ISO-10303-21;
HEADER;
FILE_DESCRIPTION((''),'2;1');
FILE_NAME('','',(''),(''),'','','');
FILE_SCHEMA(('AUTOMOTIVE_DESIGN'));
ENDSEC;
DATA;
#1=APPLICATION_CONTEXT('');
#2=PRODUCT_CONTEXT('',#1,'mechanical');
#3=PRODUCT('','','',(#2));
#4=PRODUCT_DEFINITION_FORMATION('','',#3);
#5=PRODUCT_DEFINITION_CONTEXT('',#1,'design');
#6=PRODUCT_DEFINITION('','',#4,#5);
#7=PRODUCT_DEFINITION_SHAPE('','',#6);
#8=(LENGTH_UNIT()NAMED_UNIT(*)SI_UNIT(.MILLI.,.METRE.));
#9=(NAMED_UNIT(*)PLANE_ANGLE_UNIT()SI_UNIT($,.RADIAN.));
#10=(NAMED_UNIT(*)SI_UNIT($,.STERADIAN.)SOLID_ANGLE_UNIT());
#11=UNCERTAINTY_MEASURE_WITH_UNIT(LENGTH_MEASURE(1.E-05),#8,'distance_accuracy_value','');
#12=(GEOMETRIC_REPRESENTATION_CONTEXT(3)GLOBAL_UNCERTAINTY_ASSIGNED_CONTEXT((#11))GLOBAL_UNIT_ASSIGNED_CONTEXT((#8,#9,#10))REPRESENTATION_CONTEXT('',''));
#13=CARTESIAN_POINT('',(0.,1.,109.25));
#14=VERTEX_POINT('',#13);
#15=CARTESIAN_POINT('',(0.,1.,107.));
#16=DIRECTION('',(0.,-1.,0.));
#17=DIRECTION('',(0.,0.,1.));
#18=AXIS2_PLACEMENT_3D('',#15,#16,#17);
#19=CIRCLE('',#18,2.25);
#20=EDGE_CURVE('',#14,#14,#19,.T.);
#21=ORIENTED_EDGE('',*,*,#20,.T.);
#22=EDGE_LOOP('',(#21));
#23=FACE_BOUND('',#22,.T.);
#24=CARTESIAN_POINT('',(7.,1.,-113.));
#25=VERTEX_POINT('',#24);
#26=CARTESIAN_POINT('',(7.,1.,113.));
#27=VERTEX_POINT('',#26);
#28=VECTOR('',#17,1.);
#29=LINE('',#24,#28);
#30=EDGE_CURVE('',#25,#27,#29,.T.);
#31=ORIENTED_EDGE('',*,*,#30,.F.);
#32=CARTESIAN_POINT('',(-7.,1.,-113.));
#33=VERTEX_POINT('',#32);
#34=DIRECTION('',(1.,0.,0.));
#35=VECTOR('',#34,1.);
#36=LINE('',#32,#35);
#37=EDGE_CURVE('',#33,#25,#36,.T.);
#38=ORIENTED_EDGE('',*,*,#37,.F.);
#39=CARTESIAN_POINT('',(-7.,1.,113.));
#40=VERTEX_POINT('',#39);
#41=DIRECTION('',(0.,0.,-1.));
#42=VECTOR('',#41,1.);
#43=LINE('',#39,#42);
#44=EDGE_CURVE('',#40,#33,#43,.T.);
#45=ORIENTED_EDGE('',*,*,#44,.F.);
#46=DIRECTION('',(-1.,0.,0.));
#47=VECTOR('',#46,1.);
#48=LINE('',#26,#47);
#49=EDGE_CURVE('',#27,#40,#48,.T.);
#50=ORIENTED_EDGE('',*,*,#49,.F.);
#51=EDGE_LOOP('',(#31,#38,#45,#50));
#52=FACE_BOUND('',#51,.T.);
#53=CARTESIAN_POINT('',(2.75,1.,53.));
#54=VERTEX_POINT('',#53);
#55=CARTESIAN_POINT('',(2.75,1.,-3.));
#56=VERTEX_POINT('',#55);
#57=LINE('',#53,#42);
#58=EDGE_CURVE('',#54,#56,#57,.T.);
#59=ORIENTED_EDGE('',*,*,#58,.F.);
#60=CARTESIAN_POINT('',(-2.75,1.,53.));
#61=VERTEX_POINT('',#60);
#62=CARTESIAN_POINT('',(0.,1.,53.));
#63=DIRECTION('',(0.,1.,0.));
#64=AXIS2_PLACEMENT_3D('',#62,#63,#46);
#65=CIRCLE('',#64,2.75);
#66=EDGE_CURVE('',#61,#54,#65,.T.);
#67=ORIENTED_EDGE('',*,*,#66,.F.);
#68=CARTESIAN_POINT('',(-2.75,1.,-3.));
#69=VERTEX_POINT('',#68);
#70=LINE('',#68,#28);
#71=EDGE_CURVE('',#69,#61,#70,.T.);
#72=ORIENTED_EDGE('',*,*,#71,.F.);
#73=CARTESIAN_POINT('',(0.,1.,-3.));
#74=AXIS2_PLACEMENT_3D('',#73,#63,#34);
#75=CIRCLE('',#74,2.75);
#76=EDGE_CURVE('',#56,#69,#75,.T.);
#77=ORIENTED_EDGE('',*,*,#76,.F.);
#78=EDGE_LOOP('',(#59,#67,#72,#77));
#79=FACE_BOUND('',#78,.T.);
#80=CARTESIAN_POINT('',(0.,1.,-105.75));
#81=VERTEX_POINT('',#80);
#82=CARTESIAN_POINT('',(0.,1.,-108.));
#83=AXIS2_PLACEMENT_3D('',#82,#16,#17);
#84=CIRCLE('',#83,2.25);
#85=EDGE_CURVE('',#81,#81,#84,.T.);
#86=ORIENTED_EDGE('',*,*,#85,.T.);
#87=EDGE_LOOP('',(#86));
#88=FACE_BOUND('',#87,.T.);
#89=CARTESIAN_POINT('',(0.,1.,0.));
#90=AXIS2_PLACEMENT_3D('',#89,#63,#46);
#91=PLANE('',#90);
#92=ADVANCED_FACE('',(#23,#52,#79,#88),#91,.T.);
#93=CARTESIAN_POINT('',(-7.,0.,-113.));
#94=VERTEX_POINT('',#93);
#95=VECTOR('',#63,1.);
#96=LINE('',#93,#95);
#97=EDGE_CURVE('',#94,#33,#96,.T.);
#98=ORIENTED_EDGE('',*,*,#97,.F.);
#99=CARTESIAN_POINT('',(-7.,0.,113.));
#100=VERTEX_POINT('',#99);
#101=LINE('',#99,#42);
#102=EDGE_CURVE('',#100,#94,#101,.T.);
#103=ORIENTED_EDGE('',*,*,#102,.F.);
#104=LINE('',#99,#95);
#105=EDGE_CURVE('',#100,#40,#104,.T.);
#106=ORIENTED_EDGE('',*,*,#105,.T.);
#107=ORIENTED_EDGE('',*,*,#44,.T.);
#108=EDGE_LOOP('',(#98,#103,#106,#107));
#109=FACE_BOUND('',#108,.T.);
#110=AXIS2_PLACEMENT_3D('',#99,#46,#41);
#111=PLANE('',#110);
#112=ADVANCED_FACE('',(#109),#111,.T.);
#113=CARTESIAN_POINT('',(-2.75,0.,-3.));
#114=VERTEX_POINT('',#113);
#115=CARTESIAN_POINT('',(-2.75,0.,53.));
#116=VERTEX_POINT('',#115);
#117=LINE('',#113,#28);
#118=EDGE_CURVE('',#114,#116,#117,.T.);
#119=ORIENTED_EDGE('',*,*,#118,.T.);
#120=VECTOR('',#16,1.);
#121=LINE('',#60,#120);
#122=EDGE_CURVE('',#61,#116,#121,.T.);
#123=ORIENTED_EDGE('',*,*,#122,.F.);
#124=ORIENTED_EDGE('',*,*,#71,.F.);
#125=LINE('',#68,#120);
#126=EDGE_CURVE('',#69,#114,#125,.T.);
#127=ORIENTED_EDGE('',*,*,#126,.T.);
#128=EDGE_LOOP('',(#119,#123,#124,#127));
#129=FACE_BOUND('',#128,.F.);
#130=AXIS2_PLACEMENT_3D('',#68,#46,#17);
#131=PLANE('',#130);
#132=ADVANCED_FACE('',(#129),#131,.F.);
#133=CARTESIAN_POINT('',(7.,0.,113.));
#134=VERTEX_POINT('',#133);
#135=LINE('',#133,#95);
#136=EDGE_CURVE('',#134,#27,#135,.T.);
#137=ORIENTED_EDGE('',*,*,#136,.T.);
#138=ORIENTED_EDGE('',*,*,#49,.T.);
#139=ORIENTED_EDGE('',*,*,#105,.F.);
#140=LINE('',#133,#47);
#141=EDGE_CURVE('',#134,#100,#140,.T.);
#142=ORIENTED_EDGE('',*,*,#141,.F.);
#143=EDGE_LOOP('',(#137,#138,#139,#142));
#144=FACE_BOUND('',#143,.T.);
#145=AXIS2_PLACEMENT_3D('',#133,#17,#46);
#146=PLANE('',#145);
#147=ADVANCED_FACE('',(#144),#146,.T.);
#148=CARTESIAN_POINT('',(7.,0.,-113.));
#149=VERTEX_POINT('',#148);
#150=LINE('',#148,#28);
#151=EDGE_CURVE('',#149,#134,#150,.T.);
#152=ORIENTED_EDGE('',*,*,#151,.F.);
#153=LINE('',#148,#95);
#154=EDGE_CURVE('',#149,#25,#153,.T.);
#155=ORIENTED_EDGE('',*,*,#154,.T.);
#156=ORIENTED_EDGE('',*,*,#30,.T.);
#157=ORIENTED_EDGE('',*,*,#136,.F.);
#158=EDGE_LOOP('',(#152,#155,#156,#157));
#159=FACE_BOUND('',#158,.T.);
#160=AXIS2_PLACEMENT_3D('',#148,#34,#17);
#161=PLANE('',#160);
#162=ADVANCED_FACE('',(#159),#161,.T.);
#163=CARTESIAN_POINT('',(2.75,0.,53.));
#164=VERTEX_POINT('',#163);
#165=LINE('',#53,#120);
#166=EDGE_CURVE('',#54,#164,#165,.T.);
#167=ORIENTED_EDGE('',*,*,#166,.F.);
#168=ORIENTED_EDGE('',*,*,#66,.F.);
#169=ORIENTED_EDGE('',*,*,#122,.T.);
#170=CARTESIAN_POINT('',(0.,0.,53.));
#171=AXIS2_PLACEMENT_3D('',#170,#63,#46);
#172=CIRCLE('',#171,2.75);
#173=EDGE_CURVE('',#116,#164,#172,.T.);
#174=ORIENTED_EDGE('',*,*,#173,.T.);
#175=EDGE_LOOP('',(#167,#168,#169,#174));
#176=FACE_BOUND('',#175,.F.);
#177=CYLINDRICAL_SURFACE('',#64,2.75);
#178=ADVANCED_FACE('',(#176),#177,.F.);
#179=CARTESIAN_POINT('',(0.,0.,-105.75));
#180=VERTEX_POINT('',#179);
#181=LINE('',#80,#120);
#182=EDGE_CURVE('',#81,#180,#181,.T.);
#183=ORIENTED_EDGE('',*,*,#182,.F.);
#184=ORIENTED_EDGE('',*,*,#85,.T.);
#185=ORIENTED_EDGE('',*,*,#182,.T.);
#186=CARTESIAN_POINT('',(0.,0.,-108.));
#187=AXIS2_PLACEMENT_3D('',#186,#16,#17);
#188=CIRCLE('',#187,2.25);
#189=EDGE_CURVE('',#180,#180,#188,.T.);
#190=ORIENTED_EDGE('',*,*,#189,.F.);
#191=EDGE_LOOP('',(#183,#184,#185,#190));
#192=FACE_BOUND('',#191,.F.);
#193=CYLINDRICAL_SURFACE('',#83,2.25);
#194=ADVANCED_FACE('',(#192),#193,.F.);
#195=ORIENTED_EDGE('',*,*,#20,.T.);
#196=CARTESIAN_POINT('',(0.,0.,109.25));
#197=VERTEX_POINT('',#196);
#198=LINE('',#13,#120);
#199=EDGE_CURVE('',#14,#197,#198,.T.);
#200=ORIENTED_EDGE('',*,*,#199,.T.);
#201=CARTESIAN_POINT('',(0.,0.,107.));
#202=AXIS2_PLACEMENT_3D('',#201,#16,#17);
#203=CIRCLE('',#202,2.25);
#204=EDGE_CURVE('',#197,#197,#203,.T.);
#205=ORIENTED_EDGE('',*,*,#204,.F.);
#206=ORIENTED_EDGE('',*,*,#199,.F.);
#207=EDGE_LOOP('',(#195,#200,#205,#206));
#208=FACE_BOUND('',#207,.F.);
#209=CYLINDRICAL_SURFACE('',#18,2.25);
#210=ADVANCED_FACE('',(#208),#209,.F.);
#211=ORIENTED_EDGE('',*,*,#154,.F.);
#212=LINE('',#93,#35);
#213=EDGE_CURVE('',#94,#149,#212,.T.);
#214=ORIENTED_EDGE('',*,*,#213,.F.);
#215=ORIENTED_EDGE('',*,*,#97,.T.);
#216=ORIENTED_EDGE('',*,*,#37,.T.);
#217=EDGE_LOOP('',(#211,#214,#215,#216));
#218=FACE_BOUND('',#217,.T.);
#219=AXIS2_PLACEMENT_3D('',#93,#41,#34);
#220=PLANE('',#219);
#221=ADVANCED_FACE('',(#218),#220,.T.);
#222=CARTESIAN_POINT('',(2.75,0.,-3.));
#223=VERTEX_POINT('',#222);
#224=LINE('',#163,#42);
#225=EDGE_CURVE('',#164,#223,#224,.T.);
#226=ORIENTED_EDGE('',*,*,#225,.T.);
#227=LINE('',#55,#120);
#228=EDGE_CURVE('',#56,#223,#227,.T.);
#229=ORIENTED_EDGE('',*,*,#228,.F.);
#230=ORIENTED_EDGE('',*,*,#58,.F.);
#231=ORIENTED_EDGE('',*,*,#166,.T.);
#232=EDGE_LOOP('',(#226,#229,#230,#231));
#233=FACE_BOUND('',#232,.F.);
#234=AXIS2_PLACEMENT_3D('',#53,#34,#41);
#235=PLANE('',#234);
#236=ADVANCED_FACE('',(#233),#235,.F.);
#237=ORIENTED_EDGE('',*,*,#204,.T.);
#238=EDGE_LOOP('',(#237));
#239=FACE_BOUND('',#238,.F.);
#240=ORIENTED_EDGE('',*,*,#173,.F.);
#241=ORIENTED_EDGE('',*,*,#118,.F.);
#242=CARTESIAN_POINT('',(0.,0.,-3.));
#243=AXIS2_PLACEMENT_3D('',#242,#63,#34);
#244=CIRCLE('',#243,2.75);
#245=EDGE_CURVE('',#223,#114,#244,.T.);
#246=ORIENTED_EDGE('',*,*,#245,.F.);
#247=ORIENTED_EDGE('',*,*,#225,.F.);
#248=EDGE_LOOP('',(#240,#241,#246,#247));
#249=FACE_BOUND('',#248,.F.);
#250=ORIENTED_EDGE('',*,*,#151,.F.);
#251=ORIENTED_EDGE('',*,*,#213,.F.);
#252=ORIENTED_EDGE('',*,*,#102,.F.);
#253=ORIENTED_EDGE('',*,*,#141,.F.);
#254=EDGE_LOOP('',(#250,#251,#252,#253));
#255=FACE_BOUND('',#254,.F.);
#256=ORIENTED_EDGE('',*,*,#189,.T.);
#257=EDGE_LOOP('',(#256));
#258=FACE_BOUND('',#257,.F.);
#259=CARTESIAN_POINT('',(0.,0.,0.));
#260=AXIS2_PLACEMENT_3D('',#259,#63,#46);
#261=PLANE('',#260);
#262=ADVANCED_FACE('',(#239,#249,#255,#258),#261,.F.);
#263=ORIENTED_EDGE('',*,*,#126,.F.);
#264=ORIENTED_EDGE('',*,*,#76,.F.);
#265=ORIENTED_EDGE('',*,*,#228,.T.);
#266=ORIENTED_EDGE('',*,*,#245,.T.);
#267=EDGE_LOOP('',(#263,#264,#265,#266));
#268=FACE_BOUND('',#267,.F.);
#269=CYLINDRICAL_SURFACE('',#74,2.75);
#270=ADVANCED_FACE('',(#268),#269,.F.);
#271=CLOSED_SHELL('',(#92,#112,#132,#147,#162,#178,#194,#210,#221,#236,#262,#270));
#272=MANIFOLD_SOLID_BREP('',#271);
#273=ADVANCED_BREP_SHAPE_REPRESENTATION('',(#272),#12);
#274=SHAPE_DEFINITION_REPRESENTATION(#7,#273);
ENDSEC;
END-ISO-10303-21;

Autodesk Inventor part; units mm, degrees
ref_plane "YZ Plane" through (0, 0, 0) normal (1, 0, 0) x (0, 1, 0)
ref_plane "XZ Plane" through (0, 0, 0) normal (0, 1, 0) x (-1, 0, 0)
ref_plane "XY Plane" through (0, 0, 0) normal (0, 0, 1) x (1, 0, 0)
sketch "Esquisse2" plane through (0, 0, 0) normal (0, 1, 0) x (-1, 0, 0)
  line L0 (-7, 113) -> (7, 113)
  line L1 (7, 113) -> (7, -113)
  line L2 (7, -113) -> (-7, -113)
  line L3 (-7, -113) -> (-7, 113)
  line L4 (-7, 113) -> (7, -113) construction
  line L5 (7, 113) -> (-7, -113) construction
  point P0 (0, 0)
  dimension "d0" = 226
  dimension "d1" = 14
extrude "Extrusion1" add sketch "Esquisse2" along normal blind 1
sketch "Esquisse3" plane through (0, 1, 0) normal (0, 1, 0) x (1, 0, 0)
  line L0 (7, 113) -> (-7, 113) projected
  line L1 (-7, -113) -> (7, -113) projected
  point P0 (0, 0)
  point P1 (0, -107)
  point P2 (0, 108)
  dimension "d4" = 5
  dimension "d14" = 215
hole "Perçage1" at (0, 1, 107) at (0, 1, -108) direction (0, -1, 0) diameter 4.5 end through all clearance for "Vis d'assemblage à six pans creux ISO 4762" size "M4" standard "ISO"
sketch "Esquisse4" plane through (0, 1, 0) normal (0, 1, 0) x (1, 0, 0)
  line L0 (0, 3) -> (0, -53) construction
  line L1 (-2.75, 3) -> (-2.75, -53)
  line L2 (2.75, -53) -> (2.75, 3)
  arc A0 (2.75, 3) -> (-2.75, 3) centre (0, 3) ccw
  arc A1 (-2.75, -53) -> (2.75, -53) centre (0, -53) ccw
  line L3 (7, 113) -> (-7, 113) projected
  line L4 (-7, -113) -> (7, -113) projected
  point P0 (0, 0)
  point P1 (0, -25)
  dimension "d15" = 56
  dimension "d17" = 5.5
  dimension "d21" = 60
extrude "Extrusion2" cut sketch "Esquisse4" against normal up to surface (1 mm away)
properties part number "support_lateral" material "Aluminium 6061"
